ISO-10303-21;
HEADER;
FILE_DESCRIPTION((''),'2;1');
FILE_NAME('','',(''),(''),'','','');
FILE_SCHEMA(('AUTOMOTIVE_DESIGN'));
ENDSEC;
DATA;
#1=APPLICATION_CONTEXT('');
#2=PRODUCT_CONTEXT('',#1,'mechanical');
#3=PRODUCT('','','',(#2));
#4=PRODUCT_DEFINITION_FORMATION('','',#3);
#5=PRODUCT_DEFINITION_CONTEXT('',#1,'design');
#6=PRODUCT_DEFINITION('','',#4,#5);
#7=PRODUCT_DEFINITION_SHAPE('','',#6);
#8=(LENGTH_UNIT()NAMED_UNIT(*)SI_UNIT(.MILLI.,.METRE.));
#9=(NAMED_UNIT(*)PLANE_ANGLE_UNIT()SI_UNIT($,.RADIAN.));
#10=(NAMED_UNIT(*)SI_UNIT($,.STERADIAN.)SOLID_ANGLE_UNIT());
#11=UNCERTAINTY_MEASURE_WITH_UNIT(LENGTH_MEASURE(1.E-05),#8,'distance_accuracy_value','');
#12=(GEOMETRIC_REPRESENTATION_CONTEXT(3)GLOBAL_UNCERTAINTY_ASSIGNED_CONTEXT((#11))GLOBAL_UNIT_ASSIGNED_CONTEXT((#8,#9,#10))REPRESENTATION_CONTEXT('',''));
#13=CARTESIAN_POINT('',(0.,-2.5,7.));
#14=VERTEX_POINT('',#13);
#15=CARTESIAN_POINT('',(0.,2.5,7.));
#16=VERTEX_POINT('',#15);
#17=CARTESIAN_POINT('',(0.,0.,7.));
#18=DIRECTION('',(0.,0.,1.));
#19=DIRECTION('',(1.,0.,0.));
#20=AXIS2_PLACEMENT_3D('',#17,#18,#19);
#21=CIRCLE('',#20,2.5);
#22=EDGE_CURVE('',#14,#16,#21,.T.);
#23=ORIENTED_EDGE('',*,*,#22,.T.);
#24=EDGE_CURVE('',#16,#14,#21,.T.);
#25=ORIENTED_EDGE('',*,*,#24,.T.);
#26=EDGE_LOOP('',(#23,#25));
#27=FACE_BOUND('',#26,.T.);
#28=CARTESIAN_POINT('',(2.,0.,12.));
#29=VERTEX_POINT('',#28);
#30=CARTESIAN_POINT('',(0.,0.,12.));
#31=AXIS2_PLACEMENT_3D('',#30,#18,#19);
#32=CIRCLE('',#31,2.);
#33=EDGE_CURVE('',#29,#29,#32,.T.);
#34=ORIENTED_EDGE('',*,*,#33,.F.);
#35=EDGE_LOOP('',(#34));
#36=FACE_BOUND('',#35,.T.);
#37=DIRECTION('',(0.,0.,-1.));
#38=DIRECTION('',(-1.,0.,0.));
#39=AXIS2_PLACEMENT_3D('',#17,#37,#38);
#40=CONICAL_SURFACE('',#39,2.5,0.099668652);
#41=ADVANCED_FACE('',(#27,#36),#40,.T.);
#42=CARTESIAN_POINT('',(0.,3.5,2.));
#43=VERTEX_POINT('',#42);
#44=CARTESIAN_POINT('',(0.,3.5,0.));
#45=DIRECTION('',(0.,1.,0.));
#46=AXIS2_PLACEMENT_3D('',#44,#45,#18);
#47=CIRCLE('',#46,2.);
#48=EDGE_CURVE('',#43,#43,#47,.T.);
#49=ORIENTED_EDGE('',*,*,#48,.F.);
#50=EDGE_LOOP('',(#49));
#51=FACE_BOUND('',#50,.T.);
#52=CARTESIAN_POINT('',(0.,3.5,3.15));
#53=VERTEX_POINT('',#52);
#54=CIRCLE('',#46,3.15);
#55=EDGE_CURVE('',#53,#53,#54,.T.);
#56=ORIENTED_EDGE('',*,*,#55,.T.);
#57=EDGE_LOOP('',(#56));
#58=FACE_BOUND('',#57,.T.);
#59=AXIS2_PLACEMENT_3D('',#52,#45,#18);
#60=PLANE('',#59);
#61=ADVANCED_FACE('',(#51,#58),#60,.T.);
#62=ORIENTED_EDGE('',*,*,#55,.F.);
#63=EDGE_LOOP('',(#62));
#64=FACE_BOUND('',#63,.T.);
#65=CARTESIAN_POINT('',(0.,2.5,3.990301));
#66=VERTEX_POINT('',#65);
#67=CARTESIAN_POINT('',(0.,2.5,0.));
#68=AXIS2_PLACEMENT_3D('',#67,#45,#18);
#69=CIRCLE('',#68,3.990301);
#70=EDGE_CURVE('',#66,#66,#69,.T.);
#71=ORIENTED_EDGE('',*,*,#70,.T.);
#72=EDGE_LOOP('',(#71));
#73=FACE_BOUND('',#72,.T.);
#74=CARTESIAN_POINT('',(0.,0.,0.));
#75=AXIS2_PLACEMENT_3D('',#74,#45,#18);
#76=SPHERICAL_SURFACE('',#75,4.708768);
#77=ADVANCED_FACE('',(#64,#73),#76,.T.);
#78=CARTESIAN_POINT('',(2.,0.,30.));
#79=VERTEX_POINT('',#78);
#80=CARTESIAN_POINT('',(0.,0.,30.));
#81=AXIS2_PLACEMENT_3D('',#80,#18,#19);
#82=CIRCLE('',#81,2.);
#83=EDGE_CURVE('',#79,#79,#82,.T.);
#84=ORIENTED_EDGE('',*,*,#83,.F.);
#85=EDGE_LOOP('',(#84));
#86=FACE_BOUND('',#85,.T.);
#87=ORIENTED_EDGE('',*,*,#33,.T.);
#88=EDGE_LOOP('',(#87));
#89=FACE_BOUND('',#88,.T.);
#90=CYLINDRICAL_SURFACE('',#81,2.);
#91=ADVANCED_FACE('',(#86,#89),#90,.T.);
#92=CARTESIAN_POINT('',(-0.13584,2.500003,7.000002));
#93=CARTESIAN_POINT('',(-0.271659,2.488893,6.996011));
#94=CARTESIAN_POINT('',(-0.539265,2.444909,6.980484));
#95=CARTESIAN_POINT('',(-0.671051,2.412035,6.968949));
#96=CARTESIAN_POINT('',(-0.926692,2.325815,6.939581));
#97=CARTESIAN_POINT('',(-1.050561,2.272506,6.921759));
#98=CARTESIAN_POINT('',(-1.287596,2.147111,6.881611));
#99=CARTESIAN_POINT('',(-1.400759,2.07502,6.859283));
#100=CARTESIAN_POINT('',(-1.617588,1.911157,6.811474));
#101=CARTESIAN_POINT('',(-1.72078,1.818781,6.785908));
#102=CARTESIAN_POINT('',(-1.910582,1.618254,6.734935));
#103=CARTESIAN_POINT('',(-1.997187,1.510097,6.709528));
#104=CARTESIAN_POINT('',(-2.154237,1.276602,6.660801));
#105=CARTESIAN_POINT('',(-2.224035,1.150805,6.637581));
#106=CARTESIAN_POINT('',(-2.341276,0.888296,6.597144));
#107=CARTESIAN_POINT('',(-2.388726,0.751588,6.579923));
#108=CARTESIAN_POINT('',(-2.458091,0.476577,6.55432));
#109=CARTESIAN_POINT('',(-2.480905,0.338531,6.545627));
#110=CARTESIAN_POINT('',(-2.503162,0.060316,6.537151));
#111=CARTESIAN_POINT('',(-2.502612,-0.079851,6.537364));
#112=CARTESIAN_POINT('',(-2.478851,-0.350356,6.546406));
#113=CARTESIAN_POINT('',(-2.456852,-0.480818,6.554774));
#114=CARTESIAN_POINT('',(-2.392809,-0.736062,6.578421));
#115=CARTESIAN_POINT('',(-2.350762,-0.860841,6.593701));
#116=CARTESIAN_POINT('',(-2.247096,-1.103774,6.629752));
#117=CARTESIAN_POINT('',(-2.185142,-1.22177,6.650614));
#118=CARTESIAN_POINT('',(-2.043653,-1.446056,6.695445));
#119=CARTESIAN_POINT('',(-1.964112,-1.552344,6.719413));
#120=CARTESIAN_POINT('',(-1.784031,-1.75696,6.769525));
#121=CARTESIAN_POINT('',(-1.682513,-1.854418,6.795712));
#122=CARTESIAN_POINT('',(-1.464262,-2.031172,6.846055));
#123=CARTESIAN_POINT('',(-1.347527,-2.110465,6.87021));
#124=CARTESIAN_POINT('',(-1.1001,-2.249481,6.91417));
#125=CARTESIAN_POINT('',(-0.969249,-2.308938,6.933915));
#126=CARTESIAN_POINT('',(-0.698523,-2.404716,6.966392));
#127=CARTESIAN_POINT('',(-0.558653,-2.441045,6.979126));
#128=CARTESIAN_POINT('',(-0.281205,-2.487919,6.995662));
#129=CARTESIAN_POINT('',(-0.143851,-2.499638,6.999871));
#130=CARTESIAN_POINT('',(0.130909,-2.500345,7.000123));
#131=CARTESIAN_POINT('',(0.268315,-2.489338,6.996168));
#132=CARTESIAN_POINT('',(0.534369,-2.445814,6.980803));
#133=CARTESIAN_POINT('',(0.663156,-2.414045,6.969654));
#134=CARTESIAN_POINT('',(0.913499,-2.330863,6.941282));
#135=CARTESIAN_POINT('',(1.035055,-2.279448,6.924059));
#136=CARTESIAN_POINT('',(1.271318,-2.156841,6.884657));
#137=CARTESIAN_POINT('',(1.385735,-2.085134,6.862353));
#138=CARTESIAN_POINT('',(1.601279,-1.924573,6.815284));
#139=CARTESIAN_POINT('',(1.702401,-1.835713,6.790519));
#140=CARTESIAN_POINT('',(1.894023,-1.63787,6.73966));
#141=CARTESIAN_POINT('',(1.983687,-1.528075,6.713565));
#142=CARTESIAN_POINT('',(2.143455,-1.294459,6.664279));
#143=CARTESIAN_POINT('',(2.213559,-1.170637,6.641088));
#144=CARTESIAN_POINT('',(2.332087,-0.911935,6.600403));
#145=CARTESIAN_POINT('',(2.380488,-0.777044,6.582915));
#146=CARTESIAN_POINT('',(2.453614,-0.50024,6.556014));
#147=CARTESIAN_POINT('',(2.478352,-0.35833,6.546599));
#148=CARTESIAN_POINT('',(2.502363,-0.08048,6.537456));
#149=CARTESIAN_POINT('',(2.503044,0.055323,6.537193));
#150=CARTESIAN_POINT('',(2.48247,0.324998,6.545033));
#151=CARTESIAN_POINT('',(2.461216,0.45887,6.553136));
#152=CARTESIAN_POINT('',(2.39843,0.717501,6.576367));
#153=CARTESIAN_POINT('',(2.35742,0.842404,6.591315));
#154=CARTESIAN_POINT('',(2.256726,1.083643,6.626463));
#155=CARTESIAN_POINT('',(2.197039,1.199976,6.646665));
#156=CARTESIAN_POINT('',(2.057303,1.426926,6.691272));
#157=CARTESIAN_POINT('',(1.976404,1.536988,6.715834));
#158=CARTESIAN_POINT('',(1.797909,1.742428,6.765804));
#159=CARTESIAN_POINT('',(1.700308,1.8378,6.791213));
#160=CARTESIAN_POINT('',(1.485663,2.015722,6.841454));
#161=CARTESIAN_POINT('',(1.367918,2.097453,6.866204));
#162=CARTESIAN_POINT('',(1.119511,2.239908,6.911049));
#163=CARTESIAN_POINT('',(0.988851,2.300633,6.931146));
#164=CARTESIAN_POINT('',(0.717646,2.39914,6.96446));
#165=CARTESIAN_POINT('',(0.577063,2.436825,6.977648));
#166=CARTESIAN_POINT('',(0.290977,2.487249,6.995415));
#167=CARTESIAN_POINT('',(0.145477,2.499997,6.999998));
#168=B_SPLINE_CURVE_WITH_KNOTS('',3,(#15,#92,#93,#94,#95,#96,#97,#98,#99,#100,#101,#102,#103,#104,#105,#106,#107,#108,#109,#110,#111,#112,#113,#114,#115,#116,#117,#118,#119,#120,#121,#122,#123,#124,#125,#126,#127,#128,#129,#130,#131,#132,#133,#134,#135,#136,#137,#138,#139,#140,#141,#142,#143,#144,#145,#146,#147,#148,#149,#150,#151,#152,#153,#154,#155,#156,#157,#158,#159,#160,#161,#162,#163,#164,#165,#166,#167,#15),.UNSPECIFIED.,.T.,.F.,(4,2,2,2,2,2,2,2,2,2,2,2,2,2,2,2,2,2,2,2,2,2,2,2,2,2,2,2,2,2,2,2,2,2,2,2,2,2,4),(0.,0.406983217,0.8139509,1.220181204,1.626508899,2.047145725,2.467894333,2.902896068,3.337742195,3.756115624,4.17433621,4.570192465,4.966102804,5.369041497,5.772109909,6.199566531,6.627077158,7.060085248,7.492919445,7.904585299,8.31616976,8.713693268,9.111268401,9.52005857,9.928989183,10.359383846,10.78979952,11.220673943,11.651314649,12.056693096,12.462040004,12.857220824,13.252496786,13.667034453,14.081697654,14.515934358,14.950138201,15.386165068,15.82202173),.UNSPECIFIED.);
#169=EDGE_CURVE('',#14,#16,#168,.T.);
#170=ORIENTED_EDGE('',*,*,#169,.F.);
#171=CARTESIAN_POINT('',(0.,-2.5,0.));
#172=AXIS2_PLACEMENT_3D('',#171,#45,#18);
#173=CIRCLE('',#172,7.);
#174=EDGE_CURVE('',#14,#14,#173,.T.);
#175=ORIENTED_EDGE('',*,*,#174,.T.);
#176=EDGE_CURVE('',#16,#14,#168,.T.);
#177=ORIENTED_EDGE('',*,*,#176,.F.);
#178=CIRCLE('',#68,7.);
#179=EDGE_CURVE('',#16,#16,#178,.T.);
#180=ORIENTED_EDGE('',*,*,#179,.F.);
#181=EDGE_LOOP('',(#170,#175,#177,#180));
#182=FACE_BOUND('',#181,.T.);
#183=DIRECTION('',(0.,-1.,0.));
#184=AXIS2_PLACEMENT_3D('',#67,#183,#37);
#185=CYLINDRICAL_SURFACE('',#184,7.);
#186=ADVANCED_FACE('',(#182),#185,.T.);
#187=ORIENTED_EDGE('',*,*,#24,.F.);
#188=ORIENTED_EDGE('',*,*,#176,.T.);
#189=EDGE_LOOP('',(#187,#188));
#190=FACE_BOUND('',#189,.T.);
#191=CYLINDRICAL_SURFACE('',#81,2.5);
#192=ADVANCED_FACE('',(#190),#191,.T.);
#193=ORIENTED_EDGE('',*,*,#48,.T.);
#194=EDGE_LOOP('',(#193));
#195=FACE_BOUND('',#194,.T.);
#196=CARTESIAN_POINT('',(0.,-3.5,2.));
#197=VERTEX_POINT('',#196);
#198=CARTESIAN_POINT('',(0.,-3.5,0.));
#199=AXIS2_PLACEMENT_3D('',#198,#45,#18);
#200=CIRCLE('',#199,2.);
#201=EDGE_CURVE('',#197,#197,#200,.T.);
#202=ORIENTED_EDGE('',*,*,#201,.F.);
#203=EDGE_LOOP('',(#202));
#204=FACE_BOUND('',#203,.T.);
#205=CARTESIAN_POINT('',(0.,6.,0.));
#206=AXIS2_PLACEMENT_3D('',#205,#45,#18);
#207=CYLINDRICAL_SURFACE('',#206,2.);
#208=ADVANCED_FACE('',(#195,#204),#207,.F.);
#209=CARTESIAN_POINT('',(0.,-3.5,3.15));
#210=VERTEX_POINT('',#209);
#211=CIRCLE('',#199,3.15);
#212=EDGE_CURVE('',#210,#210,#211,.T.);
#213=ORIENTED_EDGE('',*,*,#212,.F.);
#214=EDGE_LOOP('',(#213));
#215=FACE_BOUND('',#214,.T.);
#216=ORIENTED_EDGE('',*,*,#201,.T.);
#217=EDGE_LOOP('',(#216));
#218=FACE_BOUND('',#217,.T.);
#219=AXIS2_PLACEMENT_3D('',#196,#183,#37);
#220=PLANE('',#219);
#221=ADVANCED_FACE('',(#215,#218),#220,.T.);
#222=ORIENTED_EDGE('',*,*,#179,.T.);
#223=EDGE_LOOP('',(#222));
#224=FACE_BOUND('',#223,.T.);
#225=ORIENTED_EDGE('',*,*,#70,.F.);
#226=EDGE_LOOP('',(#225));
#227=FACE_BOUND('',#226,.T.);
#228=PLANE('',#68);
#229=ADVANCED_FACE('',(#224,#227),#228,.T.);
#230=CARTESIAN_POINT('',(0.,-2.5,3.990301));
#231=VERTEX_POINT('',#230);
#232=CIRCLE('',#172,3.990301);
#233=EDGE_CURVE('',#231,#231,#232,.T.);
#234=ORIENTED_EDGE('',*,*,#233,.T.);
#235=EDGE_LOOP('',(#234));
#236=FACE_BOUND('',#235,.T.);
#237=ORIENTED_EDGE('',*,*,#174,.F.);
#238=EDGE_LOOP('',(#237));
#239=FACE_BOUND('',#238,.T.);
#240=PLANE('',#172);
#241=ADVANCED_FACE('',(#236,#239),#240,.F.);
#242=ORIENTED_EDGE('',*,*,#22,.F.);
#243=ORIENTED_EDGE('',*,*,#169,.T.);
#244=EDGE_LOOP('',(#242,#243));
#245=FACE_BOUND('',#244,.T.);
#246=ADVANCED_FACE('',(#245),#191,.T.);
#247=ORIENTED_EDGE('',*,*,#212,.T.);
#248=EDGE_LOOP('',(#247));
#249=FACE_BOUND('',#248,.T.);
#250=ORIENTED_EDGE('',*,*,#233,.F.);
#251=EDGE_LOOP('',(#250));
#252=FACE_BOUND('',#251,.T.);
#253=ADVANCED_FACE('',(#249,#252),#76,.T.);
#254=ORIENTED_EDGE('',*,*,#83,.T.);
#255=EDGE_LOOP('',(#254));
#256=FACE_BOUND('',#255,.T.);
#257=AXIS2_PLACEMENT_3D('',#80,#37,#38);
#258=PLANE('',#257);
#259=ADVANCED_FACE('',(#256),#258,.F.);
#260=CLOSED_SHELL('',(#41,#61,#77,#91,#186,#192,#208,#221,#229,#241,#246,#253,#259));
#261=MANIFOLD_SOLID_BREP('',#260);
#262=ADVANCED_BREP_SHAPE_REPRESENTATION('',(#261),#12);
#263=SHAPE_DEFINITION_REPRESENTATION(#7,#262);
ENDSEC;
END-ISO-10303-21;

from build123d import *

# Parameters (mm, degrees)
SKETCH1_R           = 7
SKETCH1_R_2         = 3.25
BOSS_EXTRUDE1_DEPTH = 2.5


with BuildPart() as part:
    # Sketch1 → Boss-Extrude1 (new body, symmetric)
    with BuildSketch(Plane(origin=(0, 0, 0), x_dir=(1, 0, 0), z_dir=(0, 1, 0))):
        Circle(SKETCH1_R)
        Circle(SKETCH1_R_2, mode=Mode.SUBTRACT)
    extrude(amount=BOSS_EXTRUDE1_DEPTH, both=True)

    # Sketch2 → Revolve1 (revolve)
    with BuildSketch(Plane(origin=(0, 0, 0), x_dir=(0, 0, -1), z_dir=(1, 0, 0))):
        with BuildLine():
            Line((-3.15, 3.5), (-2, 3.5))
            Line((-2, 3.5), (-2, -3.5))
            Line((-2, -3.5), (-3.15, -3.5))
            ThreePointArc((-3.15, -3.5), (-4.708768416, 0), (-3.15, 3.5))
        make_face()
    revolve(axis=Axis((0, 6, 0), (0, -1, 0)))

    # Sketch3 → Revolve2 (revolve)
    with BuildSketch(Plane(origin=(0, 0, 0), x_dir=(0, 0, -1), z_dir=(1, 0, 0))):
        Polygon((-12, 2), (-7, 2.5), (-5, 2.5), (-5, 0), (-30, 0), (-30, 2), align=None)
    revolve(axis=Axis((0, 0, 30), (0, 0, -1)))


solid = part.part
